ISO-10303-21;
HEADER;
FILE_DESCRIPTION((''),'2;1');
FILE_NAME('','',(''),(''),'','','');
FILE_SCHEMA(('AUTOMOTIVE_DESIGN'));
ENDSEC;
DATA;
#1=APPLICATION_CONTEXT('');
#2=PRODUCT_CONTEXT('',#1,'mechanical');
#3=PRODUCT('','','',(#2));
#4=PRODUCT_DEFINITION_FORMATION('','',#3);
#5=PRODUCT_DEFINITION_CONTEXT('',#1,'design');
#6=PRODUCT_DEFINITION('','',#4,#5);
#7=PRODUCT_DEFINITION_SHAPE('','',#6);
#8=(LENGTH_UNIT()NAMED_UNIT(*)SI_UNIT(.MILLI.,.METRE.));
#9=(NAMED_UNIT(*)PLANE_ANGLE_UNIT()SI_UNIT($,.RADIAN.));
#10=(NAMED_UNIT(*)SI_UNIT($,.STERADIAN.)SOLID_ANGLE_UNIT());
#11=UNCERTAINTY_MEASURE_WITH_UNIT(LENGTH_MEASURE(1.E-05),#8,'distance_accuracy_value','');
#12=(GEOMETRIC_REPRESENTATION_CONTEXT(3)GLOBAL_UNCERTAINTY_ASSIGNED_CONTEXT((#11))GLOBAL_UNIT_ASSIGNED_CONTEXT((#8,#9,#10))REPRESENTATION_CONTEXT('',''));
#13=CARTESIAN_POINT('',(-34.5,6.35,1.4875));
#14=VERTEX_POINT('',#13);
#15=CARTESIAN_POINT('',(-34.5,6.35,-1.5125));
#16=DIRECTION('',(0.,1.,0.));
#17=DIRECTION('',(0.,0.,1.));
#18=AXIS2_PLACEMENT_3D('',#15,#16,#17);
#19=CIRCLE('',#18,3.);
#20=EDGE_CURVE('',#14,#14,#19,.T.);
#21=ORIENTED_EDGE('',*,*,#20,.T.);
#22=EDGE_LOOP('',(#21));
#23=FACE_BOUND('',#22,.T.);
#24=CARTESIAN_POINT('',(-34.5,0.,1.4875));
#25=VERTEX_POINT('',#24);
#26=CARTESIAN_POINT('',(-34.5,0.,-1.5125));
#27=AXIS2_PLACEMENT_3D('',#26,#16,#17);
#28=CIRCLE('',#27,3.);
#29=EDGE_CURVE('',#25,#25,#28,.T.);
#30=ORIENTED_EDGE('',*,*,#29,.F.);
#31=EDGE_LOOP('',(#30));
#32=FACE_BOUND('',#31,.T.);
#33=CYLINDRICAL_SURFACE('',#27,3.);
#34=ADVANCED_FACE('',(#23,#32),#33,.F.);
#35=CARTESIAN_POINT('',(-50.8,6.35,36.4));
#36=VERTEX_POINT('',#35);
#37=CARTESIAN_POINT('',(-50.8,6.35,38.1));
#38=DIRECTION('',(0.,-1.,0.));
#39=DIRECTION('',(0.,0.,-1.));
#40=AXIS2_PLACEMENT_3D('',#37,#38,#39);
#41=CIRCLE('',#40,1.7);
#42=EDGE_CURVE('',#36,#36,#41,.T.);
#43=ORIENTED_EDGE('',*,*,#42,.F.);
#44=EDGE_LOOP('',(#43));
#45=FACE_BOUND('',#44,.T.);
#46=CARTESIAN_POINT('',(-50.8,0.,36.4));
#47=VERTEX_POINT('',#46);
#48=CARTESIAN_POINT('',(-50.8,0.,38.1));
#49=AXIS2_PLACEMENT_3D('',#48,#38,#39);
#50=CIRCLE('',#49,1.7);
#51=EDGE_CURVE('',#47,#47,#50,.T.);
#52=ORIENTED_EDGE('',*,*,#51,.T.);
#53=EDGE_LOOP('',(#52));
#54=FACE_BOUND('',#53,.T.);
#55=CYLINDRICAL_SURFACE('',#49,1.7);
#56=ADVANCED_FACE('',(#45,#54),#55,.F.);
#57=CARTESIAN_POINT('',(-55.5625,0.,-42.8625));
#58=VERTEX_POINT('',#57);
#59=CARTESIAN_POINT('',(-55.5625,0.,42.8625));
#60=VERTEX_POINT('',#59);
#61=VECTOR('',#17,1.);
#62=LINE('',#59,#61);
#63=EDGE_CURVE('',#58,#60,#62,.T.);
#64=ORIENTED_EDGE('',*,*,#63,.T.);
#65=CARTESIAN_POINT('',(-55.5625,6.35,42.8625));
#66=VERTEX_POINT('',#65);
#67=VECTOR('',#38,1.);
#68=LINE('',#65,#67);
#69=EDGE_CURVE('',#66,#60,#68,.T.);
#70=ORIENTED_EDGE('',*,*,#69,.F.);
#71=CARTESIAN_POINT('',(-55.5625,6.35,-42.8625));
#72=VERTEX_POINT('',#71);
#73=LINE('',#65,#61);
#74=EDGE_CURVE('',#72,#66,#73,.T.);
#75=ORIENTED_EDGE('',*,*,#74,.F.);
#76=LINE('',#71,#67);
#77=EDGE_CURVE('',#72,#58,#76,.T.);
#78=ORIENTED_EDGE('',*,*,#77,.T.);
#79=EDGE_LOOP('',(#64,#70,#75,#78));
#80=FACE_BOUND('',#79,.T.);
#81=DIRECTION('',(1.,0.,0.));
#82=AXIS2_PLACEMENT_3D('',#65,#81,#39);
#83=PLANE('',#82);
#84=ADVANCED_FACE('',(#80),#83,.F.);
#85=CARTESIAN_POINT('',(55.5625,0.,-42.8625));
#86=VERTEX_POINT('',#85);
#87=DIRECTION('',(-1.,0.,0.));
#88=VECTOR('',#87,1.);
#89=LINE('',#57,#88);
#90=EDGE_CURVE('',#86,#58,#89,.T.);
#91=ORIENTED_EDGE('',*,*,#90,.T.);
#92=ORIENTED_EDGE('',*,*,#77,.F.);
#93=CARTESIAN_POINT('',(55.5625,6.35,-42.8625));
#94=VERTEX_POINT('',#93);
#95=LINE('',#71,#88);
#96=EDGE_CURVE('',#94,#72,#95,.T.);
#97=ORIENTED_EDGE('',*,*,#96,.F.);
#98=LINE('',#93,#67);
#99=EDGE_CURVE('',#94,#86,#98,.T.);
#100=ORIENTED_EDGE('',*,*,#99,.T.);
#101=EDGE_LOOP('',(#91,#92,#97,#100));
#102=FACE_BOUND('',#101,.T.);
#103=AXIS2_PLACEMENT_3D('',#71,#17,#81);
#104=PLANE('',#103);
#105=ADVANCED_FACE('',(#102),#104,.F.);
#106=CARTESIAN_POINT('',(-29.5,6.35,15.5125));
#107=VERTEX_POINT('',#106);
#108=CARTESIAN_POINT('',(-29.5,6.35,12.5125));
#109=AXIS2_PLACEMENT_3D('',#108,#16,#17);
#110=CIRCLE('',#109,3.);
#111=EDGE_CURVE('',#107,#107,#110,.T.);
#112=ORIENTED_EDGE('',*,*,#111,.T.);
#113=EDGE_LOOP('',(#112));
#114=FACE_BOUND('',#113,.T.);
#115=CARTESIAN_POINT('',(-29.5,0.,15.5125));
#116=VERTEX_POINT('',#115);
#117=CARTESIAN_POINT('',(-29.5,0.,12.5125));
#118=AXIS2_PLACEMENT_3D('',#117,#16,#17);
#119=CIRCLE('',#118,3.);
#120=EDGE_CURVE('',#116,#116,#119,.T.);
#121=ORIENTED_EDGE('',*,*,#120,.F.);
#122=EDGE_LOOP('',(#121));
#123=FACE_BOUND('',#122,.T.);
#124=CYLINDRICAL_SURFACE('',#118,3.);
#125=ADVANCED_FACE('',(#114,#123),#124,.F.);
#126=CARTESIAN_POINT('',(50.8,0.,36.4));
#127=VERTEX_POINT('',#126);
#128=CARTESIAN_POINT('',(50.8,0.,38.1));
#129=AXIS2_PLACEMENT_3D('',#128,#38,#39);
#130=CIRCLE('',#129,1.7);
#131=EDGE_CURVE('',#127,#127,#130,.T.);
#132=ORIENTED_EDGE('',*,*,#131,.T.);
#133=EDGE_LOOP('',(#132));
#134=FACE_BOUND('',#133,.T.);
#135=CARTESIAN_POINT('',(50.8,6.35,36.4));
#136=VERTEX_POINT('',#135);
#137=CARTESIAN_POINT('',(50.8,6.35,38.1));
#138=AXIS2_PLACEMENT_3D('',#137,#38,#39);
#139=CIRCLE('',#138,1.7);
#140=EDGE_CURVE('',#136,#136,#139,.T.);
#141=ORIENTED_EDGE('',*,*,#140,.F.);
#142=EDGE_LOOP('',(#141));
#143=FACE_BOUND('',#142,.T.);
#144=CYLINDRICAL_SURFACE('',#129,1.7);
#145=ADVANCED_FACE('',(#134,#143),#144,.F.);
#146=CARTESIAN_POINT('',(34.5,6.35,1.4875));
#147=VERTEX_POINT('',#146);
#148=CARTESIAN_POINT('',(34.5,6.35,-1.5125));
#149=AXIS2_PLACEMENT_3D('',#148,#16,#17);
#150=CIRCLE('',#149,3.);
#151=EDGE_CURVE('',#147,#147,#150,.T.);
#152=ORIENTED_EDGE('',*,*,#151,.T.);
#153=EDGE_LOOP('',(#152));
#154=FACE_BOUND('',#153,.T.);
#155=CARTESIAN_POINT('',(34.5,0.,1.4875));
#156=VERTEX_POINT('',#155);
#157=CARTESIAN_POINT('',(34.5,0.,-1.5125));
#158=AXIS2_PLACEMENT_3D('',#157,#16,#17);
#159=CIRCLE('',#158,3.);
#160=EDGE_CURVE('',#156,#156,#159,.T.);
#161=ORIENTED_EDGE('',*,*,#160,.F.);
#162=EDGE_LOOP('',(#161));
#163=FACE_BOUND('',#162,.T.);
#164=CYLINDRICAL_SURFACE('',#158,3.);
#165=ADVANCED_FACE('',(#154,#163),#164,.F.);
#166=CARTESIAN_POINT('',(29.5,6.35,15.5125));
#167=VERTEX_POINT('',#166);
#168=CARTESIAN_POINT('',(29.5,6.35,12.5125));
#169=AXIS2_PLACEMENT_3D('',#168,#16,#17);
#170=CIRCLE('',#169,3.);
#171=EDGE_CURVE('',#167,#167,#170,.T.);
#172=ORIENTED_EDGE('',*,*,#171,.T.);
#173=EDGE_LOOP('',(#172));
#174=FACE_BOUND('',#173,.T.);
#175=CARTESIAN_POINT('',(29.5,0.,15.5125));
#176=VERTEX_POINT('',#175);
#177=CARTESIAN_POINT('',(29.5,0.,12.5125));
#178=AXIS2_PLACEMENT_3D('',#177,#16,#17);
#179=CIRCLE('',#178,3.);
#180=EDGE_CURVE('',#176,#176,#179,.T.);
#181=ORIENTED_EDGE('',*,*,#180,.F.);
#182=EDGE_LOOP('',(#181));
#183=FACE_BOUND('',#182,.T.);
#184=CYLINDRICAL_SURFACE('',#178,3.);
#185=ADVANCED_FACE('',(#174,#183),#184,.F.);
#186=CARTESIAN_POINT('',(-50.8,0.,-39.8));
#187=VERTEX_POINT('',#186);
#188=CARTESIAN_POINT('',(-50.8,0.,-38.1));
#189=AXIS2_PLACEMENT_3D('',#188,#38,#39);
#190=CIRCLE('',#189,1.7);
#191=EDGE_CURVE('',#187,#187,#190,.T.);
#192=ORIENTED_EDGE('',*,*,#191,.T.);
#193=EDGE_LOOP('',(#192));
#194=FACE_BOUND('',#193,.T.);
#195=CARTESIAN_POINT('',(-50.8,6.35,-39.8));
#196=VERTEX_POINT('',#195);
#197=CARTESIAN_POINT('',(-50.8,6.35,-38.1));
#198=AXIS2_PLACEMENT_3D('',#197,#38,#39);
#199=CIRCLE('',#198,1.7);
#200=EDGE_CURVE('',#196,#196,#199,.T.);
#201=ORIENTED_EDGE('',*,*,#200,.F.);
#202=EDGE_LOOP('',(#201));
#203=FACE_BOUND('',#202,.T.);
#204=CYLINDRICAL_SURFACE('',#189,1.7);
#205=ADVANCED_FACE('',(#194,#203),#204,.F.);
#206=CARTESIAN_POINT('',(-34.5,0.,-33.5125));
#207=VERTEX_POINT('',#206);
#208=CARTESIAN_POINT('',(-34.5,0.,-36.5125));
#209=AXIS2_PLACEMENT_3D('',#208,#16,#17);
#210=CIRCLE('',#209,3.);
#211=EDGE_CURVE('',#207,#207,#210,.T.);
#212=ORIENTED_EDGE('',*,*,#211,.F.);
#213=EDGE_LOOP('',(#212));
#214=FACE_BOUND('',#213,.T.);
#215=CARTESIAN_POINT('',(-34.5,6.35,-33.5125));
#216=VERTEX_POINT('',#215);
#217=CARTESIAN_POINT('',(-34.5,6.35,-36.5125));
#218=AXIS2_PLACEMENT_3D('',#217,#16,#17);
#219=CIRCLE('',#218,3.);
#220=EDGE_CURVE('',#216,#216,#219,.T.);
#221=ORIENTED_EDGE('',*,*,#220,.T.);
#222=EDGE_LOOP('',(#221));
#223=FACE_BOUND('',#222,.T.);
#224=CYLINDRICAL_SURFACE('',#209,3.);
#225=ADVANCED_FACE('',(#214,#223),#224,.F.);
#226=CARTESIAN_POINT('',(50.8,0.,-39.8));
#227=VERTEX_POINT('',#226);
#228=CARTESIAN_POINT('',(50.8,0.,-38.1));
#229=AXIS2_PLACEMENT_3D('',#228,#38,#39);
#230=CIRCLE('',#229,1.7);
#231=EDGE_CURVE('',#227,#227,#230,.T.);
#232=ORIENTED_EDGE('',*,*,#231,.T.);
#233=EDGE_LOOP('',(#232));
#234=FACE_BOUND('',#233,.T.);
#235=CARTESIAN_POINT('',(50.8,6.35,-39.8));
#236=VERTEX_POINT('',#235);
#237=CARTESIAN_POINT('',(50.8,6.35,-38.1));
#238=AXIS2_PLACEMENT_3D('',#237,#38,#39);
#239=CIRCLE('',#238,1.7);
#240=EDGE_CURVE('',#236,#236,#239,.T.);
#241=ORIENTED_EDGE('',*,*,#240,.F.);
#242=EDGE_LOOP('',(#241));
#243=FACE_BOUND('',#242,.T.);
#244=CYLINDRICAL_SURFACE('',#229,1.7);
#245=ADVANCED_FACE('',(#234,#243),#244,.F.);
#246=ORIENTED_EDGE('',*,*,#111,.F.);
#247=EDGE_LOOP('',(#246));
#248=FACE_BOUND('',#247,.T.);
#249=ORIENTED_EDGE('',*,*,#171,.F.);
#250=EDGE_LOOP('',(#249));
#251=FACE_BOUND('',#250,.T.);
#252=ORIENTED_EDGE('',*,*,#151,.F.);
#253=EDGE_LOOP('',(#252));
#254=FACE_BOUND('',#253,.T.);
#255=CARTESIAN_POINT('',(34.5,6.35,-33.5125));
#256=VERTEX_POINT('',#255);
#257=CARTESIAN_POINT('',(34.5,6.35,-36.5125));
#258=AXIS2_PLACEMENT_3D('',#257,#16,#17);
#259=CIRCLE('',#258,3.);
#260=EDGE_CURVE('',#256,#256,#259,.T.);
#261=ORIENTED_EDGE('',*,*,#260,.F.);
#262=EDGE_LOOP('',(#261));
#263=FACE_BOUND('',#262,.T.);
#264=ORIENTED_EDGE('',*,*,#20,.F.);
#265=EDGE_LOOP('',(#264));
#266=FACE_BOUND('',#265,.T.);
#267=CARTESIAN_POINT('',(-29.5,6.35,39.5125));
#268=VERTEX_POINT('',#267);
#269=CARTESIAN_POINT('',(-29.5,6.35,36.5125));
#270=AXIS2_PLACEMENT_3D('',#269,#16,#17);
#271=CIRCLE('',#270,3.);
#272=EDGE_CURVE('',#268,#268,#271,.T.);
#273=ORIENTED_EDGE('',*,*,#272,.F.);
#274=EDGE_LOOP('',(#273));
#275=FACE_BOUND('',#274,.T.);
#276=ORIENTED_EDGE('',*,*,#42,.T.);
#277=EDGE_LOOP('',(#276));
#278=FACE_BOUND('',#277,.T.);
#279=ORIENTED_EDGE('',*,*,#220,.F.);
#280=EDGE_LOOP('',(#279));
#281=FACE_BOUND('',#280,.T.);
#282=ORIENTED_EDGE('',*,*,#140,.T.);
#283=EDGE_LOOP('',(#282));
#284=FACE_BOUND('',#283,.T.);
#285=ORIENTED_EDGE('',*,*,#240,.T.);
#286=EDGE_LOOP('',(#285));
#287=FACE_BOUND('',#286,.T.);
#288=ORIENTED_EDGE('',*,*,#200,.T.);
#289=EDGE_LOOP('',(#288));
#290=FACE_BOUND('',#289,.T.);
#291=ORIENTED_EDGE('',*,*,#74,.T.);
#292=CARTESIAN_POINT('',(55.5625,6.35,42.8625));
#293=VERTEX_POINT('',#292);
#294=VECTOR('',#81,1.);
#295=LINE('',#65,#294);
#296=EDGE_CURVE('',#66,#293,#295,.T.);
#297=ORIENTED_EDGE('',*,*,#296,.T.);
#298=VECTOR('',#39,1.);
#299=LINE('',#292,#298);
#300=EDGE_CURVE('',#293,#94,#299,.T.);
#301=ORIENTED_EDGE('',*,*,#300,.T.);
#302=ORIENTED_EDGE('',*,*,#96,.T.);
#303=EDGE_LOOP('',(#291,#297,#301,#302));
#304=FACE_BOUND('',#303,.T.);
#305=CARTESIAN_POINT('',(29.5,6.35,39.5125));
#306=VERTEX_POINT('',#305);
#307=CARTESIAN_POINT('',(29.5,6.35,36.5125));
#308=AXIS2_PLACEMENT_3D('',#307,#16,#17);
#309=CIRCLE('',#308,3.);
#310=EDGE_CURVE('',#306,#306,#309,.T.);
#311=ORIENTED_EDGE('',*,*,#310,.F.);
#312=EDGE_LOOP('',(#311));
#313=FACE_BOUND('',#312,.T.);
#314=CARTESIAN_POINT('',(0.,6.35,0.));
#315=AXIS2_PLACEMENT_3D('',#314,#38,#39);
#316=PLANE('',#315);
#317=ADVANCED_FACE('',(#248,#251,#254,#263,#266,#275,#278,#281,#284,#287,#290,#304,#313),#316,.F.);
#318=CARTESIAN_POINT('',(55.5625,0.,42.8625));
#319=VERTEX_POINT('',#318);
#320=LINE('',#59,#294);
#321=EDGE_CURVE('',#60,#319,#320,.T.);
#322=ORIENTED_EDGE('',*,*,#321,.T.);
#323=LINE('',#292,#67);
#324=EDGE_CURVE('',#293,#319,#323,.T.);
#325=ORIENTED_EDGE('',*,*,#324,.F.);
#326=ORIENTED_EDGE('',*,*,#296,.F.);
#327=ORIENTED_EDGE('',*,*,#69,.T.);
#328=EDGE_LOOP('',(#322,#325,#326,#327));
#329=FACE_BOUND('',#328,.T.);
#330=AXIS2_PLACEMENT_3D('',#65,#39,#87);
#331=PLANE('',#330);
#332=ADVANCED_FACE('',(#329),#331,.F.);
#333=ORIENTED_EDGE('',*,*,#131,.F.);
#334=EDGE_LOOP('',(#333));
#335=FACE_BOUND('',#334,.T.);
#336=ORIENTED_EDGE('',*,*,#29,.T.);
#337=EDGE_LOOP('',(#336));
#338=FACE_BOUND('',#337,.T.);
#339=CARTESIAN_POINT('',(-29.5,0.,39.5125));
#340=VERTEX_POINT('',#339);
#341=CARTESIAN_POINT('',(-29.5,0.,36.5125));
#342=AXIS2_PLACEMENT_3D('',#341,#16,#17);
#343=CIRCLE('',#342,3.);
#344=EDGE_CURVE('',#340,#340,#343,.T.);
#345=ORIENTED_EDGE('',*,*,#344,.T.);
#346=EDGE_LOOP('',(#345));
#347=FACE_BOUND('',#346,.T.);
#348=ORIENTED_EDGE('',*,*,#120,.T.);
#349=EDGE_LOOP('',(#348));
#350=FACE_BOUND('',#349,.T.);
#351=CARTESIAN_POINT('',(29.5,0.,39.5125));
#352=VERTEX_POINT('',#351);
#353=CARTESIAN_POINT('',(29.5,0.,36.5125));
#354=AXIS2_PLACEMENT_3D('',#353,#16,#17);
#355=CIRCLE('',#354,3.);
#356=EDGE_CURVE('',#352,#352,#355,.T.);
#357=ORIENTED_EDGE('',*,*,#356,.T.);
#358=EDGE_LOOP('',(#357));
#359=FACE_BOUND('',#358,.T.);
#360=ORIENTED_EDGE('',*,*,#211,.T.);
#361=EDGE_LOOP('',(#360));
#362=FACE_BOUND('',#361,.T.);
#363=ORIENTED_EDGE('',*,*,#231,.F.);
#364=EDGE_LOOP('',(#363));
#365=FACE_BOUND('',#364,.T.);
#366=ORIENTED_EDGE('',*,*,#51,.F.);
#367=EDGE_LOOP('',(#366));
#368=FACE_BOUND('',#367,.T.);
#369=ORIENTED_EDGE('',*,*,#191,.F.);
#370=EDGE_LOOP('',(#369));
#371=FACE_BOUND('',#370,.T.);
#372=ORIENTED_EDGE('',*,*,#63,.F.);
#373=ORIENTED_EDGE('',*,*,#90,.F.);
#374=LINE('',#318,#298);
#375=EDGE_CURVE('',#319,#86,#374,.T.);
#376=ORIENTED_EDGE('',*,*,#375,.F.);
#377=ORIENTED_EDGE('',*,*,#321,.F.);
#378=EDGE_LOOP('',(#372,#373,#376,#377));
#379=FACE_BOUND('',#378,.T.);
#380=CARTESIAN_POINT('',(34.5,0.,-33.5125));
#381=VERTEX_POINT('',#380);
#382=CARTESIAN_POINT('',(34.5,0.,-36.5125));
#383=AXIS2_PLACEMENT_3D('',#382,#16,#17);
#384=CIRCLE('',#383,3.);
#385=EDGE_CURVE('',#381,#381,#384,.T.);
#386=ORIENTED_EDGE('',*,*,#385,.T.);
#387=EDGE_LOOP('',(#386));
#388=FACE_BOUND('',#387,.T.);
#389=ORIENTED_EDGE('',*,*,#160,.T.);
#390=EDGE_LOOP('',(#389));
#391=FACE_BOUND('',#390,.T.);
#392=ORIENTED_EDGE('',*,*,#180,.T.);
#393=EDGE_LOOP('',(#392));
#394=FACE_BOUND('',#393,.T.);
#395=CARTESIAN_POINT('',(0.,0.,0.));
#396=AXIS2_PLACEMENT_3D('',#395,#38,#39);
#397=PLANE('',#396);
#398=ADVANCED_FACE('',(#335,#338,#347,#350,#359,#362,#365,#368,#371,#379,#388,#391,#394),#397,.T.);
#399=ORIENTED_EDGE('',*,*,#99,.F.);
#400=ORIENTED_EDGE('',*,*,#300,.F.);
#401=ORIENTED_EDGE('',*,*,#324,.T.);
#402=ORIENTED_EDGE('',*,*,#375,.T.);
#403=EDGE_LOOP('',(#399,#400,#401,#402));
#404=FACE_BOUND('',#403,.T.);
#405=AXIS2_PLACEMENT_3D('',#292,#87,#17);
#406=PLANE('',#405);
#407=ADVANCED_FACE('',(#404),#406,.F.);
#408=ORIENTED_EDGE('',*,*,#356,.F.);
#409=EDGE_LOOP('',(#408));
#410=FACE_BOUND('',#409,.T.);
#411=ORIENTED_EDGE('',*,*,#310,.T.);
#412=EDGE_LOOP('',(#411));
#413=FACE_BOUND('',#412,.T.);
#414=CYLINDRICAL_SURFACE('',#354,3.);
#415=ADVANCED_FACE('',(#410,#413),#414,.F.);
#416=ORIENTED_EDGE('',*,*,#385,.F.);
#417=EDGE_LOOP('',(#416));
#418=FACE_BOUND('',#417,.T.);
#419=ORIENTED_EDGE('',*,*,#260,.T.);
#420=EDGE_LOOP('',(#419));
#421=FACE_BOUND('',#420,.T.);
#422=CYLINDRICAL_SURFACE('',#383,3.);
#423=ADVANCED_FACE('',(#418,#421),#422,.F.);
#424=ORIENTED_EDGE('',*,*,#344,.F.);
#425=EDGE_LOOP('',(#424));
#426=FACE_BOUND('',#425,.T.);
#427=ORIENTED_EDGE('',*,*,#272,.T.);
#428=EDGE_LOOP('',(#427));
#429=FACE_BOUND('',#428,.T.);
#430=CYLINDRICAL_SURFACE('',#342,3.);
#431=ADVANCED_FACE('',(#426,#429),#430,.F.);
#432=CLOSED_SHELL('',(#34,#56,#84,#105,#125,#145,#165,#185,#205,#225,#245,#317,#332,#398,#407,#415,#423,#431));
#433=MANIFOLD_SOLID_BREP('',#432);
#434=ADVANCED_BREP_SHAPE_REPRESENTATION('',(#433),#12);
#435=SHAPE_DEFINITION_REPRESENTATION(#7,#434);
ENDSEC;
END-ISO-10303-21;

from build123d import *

# Parameters (mm, degrees)
SKETCH1_W            = 111.125
SKETCH1_H            = 85.725
BOSS_EXTRUDE1_DEPTH  = 6.35
M3_CLEARANCE_HOLE1_D = 3.4
SKETCH3_R            = 3
CUT_EXTRUDE1_DEPTH   = 7.35


with BuildPart() as part:
    # Sketch1 → Boss-Extrude1 (new body)
    with BuildSketch(Plane(origin=(0, 0, 0), x_dir=(1, 0, 0), z_dir=(0, 1, 0))):
        Rectangle(SKETCH1_W, SKETCH1_H)
    extrude(amount=BOSS_EXTRUDE1_DEPTH)

    # M3 Clearance Hole1 (through all)
    with Locations(Plane(origin=(-50.8, 0, 38.1), x_dir=(0, 0, -1), z_dir=(0, -1, 0))):
        with Locations((0, 0), (0, 101.6), (76.2, 0), (76.2, 101.6)):
            Hole(M3_CLEARANCE_HOLE1_D / 2)

    # Sketch3 → Cut-Extrude1 (cut, through all)
    with BuildSketch(Plane(origin=(0, 6.35, 0), x_dir=(1, 0, 0), z_dir=(0, 1, 0))):
        with Locations((-34.5, 36.5125)):
            Circle(SKETCH3_R)
        with Locations((34.5, 36.5125)):
            Circle(SKETCH3_R)
        with Locations((34.5, 1.5125)):
            Circle(SKETCH3_R)
        with Locations((-34.5, 1.5125)):
            Circle(SKETCH3_R)
        with Locations((-29.5, -12.5125)):
            Circle(SKETCH3_R)
        with Locations((-29.5, -36.5125)):
            Circle(SKETCH3_R)
        with Locations((29.5, -36.5125)):
            Circle(SKETCH3_R)
        with Locations((29.5, -12.5125)):
            Circle(SKETCH3_R)
    extrude(amount=-CUT_EXTRUDE1_DEPTH, mode=Mode.SUBTRACT)


solid = part.part
